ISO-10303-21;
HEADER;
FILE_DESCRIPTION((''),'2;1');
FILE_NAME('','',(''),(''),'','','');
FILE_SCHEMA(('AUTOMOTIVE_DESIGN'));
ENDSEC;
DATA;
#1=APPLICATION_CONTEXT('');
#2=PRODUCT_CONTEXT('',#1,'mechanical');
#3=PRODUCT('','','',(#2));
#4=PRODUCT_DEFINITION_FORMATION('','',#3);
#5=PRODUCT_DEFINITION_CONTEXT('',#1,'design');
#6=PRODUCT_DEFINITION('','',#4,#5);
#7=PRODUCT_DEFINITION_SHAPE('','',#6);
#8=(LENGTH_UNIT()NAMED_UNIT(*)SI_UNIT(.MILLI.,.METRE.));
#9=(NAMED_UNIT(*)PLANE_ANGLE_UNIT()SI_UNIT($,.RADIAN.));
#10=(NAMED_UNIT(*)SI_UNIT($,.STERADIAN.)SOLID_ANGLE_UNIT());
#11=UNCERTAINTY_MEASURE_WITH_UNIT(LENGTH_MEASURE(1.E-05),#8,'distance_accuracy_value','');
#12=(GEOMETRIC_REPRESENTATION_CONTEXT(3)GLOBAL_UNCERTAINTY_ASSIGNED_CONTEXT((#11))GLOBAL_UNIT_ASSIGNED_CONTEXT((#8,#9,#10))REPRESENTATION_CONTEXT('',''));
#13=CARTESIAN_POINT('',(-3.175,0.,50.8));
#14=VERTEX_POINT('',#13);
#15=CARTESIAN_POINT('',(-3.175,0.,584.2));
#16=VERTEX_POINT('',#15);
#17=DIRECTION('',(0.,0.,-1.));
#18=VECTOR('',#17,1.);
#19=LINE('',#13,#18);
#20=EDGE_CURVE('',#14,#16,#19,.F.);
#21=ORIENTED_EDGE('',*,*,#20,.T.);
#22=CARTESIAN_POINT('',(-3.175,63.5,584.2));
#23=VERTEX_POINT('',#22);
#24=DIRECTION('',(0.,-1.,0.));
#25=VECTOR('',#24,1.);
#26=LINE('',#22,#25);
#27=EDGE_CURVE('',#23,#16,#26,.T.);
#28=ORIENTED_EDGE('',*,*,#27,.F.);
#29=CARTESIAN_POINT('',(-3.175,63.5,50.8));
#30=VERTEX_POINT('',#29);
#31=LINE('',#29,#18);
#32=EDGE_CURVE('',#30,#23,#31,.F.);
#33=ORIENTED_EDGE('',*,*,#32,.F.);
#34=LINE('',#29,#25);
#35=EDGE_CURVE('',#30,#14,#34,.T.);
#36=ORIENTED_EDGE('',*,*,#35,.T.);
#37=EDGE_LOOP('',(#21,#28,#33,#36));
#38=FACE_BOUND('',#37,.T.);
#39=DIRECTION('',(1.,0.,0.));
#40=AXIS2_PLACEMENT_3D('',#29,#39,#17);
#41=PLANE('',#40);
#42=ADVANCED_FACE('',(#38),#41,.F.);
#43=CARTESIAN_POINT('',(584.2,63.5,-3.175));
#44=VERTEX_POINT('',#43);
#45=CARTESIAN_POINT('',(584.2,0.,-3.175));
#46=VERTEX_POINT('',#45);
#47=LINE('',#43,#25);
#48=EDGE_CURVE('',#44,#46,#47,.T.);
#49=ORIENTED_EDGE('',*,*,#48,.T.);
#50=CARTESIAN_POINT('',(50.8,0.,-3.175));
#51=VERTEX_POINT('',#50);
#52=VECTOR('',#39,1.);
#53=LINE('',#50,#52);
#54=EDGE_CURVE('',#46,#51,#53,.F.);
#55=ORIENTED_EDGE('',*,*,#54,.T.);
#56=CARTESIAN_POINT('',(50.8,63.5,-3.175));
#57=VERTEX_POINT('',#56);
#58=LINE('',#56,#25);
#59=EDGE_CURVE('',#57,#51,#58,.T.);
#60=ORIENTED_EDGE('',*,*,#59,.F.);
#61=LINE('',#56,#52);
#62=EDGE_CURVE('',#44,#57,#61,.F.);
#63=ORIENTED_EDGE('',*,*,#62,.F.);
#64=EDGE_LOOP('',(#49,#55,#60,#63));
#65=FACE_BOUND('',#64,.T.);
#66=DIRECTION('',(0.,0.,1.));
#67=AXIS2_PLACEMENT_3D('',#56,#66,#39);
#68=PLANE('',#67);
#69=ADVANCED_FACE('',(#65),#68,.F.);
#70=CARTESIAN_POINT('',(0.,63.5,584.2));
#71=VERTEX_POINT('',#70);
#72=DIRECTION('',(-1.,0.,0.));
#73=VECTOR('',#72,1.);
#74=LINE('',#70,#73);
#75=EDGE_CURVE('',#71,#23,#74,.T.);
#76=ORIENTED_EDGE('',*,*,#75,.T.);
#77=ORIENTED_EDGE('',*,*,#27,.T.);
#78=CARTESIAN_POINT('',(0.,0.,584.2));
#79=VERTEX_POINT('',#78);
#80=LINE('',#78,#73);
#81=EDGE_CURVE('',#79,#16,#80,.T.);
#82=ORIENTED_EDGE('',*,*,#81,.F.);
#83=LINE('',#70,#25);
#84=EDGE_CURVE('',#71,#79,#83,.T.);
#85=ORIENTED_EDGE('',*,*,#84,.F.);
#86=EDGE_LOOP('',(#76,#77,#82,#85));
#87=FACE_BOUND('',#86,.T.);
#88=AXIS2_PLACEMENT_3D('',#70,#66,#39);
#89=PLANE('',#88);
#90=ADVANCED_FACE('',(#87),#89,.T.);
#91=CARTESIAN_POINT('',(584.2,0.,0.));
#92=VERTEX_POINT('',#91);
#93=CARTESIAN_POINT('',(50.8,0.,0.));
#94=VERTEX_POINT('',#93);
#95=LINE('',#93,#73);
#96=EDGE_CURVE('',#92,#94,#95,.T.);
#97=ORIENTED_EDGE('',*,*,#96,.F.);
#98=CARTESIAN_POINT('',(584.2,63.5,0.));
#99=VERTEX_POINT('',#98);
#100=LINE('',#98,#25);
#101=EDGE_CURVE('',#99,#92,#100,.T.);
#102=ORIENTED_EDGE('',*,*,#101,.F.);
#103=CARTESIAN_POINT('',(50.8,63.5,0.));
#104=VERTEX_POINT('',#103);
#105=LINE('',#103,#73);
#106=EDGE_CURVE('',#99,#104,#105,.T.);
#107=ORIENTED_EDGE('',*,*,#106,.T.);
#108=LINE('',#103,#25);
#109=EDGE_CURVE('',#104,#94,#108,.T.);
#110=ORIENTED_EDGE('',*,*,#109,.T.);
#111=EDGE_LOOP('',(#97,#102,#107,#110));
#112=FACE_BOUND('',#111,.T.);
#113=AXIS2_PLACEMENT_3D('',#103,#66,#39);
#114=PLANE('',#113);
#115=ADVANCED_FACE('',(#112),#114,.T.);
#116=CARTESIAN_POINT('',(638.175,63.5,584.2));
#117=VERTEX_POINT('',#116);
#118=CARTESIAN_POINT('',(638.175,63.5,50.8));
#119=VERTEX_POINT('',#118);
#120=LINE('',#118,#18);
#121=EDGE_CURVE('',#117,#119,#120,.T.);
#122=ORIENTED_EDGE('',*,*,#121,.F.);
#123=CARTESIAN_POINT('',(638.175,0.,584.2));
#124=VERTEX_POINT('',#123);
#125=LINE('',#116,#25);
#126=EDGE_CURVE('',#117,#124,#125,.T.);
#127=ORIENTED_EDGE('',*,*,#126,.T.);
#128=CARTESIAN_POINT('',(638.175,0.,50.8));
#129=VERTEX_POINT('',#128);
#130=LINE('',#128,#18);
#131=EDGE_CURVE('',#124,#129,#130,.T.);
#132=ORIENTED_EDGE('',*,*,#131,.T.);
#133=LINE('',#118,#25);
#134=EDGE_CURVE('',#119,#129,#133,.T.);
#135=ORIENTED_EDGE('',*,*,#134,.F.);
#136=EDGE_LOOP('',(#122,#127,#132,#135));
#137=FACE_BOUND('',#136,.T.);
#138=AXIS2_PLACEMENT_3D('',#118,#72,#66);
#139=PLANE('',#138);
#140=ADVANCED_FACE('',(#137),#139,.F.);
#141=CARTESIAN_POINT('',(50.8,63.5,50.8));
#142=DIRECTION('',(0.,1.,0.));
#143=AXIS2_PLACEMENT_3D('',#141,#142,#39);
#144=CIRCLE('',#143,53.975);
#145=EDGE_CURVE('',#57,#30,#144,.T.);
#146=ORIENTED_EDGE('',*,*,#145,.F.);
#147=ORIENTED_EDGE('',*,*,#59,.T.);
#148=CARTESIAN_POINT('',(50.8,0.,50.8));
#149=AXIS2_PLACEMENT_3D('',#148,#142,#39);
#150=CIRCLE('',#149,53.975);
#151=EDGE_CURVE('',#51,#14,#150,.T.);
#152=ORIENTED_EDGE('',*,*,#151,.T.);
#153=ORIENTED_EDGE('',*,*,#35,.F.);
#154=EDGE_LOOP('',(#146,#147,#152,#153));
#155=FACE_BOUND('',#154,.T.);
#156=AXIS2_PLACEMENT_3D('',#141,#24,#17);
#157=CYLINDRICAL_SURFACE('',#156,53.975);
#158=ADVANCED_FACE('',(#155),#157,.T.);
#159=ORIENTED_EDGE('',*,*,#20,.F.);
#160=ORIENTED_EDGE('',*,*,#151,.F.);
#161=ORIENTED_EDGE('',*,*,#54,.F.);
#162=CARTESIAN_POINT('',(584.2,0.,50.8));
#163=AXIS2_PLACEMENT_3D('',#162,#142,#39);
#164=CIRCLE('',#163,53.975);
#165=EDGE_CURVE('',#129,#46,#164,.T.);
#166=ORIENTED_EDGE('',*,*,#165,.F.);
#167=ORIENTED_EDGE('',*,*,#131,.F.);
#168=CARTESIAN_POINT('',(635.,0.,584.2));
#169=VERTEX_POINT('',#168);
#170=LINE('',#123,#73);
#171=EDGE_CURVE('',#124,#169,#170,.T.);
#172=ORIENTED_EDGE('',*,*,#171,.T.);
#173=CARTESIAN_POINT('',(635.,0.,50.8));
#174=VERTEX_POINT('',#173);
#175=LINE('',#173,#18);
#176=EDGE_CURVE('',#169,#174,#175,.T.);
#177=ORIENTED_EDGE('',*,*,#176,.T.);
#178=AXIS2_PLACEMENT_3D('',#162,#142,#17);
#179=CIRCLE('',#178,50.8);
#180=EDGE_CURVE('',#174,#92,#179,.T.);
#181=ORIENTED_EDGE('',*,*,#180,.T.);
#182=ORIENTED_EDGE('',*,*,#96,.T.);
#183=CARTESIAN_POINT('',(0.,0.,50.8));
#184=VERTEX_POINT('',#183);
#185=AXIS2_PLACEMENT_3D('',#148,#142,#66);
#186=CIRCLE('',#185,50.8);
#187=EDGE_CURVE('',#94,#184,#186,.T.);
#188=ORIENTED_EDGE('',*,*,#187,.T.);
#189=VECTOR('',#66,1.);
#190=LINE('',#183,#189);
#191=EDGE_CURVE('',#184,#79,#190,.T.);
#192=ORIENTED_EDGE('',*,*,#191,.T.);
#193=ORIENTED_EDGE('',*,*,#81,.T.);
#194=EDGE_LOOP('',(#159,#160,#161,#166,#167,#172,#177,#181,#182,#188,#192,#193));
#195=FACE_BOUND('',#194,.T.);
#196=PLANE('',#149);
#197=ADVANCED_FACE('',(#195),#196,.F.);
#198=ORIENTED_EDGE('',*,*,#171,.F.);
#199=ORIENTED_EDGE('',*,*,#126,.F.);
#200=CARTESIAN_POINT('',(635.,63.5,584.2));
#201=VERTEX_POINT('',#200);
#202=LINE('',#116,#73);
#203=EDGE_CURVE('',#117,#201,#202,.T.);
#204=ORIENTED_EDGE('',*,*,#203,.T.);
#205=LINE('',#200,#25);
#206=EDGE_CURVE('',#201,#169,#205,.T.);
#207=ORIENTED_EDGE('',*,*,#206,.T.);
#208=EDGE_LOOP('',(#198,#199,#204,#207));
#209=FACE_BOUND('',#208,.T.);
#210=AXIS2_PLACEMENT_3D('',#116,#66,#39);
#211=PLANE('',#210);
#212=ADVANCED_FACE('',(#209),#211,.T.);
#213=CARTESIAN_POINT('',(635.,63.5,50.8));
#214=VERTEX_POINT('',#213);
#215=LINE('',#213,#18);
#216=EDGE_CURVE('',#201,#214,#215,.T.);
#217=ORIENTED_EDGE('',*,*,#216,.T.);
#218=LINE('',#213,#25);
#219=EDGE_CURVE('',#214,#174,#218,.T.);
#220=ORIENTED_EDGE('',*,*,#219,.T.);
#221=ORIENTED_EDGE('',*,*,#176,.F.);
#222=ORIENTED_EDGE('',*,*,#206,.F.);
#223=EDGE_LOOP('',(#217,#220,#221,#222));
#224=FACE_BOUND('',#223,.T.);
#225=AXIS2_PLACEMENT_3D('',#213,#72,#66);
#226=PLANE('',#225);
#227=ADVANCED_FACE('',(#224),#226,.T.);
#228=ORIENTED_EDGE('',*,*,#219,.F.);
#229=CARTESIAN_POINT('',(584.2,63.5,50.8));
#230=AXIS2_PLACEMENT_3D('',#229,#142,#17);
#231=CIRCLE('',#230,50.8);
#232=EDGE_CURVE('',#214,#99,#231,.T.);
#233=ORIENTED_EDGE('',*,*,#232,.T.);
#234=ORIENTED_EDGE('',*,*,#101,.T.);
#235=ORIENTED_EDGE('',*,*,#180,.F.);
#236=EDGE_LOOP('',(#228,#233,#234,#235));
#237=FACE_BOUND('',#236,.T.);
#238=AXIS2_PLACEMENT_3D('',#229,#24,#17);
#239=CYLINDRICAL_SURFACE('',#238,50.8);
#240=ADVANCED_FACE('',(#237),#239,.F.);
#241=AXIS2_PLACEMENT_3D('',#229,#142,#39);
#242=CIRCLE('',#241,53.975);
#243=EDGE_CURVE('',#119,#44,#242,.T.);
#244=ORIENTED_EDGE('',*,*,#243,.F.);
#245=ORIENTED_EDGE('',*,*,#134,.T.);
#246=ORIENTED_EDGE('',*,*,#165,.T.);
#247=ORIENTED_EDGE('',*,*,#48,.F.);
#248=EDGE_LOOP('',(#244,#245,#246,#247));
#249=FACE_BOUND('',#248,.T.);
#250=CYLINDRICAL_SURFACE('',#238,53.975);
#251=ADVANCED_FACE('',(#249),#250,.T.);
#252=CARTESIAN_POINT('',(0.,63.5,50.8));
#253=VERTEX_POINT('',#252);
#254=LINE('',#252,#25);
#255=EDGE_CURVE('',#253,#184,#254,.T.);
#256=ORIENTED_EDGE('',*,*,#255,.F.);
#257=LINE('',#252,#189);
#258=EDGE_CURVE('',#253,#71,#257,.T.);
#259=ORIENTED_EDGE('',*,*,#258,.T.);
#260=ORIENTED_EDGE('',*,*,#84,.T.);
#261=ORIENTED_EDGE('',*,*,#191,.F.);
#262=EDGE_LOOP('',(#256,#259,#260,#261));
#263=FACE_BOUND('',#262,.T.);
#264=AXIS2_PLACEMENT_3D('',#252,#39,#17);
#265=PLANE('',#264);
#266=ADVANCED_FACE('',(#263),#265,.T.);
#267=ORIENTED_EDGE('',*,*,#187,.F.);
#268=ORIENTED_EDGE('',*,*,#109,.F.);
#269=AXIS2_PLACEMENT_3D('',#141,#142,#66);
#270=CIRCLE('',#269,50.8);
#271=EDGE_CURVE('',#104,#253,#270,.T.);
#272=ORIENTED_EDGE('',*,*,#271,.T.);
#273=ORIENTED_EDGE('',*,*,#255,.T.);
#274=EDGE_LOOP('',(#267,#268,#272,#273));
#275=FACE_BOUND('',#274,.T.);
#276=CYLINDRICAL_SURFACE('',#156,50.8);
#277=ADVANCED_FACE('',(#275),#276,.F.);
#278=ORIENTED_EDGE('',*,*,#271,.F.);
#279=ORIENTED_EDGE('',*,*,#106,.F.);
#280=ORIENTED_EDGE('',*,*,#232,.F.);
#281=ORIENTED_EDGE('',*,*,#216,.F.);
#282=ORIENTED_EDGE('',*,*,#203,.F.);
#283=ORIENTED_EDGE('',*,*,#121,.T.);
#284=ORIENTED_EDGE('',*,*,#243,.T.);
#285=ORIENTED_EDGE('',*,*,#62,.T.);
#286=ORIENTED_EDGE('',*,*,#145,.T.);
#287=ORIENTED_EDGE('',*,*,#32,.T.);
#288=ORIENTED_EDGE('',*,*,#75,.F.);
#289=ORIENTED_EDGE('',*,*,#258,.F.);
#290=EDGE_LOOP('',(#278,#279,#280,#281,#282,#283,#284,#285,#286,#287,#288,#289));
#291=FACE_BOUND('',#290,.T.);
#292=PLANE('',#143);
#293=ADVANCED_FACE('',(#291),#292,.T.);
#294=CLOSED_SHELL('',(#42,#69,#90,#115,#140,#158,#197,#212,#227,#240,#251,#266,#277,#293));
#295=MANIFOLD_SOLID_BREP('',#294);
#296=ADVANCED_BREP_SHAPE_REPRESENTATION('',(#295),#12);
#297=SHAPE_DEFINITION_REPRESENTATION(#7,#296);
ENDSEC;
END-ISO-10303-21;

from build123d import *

# Parameters (mm, degrees)
EXTRUDE_THIN1_DEPTH = 63.5


with BuildPart() as part:
    # Sketch3 → Extrude-Thin1 (new body)
    with BuildSketch(Plane(origin=(0, 0, 0), x_dir=(1, 0, 0), z_dir=(0, 1, 0))):
        with BuildLine():
            Line((0, -584.2), (0, -50.8))
            ThreePointArc((0, -50.8), (14.878975516, -14.878975516), (50.8, 0))
            Line((50.8, 0), (584.2, 0))
            ThreePointArc((584.2, 0), (620.121024484, -14.878975516), (635, -50.8))
            Line((635, -50.8), (635, -584.2))
            Line((635, -584.2), (638.175, -584.2))
            Line((638.175, -584.2), (638.175, -50.8))
            ThreePointArc((638.175, -50.8), (622.366088515, -12.633911485), (584.2, 3.175))
            Line((584.2, 3.175), (50.8, 3.175))
            ThreePointArc((50.8, 3.175), (12.633911485, -12.633911485), (-3.175, -50.8))
            Line((-3.175, -50.8), (-3.175, -584.2))
            Line((-3.175, -584.2), (0, -584.2))
        make_face()
    extrude(amount=EXTRUDE_THIN1_DEPTH)


solid = part.part
